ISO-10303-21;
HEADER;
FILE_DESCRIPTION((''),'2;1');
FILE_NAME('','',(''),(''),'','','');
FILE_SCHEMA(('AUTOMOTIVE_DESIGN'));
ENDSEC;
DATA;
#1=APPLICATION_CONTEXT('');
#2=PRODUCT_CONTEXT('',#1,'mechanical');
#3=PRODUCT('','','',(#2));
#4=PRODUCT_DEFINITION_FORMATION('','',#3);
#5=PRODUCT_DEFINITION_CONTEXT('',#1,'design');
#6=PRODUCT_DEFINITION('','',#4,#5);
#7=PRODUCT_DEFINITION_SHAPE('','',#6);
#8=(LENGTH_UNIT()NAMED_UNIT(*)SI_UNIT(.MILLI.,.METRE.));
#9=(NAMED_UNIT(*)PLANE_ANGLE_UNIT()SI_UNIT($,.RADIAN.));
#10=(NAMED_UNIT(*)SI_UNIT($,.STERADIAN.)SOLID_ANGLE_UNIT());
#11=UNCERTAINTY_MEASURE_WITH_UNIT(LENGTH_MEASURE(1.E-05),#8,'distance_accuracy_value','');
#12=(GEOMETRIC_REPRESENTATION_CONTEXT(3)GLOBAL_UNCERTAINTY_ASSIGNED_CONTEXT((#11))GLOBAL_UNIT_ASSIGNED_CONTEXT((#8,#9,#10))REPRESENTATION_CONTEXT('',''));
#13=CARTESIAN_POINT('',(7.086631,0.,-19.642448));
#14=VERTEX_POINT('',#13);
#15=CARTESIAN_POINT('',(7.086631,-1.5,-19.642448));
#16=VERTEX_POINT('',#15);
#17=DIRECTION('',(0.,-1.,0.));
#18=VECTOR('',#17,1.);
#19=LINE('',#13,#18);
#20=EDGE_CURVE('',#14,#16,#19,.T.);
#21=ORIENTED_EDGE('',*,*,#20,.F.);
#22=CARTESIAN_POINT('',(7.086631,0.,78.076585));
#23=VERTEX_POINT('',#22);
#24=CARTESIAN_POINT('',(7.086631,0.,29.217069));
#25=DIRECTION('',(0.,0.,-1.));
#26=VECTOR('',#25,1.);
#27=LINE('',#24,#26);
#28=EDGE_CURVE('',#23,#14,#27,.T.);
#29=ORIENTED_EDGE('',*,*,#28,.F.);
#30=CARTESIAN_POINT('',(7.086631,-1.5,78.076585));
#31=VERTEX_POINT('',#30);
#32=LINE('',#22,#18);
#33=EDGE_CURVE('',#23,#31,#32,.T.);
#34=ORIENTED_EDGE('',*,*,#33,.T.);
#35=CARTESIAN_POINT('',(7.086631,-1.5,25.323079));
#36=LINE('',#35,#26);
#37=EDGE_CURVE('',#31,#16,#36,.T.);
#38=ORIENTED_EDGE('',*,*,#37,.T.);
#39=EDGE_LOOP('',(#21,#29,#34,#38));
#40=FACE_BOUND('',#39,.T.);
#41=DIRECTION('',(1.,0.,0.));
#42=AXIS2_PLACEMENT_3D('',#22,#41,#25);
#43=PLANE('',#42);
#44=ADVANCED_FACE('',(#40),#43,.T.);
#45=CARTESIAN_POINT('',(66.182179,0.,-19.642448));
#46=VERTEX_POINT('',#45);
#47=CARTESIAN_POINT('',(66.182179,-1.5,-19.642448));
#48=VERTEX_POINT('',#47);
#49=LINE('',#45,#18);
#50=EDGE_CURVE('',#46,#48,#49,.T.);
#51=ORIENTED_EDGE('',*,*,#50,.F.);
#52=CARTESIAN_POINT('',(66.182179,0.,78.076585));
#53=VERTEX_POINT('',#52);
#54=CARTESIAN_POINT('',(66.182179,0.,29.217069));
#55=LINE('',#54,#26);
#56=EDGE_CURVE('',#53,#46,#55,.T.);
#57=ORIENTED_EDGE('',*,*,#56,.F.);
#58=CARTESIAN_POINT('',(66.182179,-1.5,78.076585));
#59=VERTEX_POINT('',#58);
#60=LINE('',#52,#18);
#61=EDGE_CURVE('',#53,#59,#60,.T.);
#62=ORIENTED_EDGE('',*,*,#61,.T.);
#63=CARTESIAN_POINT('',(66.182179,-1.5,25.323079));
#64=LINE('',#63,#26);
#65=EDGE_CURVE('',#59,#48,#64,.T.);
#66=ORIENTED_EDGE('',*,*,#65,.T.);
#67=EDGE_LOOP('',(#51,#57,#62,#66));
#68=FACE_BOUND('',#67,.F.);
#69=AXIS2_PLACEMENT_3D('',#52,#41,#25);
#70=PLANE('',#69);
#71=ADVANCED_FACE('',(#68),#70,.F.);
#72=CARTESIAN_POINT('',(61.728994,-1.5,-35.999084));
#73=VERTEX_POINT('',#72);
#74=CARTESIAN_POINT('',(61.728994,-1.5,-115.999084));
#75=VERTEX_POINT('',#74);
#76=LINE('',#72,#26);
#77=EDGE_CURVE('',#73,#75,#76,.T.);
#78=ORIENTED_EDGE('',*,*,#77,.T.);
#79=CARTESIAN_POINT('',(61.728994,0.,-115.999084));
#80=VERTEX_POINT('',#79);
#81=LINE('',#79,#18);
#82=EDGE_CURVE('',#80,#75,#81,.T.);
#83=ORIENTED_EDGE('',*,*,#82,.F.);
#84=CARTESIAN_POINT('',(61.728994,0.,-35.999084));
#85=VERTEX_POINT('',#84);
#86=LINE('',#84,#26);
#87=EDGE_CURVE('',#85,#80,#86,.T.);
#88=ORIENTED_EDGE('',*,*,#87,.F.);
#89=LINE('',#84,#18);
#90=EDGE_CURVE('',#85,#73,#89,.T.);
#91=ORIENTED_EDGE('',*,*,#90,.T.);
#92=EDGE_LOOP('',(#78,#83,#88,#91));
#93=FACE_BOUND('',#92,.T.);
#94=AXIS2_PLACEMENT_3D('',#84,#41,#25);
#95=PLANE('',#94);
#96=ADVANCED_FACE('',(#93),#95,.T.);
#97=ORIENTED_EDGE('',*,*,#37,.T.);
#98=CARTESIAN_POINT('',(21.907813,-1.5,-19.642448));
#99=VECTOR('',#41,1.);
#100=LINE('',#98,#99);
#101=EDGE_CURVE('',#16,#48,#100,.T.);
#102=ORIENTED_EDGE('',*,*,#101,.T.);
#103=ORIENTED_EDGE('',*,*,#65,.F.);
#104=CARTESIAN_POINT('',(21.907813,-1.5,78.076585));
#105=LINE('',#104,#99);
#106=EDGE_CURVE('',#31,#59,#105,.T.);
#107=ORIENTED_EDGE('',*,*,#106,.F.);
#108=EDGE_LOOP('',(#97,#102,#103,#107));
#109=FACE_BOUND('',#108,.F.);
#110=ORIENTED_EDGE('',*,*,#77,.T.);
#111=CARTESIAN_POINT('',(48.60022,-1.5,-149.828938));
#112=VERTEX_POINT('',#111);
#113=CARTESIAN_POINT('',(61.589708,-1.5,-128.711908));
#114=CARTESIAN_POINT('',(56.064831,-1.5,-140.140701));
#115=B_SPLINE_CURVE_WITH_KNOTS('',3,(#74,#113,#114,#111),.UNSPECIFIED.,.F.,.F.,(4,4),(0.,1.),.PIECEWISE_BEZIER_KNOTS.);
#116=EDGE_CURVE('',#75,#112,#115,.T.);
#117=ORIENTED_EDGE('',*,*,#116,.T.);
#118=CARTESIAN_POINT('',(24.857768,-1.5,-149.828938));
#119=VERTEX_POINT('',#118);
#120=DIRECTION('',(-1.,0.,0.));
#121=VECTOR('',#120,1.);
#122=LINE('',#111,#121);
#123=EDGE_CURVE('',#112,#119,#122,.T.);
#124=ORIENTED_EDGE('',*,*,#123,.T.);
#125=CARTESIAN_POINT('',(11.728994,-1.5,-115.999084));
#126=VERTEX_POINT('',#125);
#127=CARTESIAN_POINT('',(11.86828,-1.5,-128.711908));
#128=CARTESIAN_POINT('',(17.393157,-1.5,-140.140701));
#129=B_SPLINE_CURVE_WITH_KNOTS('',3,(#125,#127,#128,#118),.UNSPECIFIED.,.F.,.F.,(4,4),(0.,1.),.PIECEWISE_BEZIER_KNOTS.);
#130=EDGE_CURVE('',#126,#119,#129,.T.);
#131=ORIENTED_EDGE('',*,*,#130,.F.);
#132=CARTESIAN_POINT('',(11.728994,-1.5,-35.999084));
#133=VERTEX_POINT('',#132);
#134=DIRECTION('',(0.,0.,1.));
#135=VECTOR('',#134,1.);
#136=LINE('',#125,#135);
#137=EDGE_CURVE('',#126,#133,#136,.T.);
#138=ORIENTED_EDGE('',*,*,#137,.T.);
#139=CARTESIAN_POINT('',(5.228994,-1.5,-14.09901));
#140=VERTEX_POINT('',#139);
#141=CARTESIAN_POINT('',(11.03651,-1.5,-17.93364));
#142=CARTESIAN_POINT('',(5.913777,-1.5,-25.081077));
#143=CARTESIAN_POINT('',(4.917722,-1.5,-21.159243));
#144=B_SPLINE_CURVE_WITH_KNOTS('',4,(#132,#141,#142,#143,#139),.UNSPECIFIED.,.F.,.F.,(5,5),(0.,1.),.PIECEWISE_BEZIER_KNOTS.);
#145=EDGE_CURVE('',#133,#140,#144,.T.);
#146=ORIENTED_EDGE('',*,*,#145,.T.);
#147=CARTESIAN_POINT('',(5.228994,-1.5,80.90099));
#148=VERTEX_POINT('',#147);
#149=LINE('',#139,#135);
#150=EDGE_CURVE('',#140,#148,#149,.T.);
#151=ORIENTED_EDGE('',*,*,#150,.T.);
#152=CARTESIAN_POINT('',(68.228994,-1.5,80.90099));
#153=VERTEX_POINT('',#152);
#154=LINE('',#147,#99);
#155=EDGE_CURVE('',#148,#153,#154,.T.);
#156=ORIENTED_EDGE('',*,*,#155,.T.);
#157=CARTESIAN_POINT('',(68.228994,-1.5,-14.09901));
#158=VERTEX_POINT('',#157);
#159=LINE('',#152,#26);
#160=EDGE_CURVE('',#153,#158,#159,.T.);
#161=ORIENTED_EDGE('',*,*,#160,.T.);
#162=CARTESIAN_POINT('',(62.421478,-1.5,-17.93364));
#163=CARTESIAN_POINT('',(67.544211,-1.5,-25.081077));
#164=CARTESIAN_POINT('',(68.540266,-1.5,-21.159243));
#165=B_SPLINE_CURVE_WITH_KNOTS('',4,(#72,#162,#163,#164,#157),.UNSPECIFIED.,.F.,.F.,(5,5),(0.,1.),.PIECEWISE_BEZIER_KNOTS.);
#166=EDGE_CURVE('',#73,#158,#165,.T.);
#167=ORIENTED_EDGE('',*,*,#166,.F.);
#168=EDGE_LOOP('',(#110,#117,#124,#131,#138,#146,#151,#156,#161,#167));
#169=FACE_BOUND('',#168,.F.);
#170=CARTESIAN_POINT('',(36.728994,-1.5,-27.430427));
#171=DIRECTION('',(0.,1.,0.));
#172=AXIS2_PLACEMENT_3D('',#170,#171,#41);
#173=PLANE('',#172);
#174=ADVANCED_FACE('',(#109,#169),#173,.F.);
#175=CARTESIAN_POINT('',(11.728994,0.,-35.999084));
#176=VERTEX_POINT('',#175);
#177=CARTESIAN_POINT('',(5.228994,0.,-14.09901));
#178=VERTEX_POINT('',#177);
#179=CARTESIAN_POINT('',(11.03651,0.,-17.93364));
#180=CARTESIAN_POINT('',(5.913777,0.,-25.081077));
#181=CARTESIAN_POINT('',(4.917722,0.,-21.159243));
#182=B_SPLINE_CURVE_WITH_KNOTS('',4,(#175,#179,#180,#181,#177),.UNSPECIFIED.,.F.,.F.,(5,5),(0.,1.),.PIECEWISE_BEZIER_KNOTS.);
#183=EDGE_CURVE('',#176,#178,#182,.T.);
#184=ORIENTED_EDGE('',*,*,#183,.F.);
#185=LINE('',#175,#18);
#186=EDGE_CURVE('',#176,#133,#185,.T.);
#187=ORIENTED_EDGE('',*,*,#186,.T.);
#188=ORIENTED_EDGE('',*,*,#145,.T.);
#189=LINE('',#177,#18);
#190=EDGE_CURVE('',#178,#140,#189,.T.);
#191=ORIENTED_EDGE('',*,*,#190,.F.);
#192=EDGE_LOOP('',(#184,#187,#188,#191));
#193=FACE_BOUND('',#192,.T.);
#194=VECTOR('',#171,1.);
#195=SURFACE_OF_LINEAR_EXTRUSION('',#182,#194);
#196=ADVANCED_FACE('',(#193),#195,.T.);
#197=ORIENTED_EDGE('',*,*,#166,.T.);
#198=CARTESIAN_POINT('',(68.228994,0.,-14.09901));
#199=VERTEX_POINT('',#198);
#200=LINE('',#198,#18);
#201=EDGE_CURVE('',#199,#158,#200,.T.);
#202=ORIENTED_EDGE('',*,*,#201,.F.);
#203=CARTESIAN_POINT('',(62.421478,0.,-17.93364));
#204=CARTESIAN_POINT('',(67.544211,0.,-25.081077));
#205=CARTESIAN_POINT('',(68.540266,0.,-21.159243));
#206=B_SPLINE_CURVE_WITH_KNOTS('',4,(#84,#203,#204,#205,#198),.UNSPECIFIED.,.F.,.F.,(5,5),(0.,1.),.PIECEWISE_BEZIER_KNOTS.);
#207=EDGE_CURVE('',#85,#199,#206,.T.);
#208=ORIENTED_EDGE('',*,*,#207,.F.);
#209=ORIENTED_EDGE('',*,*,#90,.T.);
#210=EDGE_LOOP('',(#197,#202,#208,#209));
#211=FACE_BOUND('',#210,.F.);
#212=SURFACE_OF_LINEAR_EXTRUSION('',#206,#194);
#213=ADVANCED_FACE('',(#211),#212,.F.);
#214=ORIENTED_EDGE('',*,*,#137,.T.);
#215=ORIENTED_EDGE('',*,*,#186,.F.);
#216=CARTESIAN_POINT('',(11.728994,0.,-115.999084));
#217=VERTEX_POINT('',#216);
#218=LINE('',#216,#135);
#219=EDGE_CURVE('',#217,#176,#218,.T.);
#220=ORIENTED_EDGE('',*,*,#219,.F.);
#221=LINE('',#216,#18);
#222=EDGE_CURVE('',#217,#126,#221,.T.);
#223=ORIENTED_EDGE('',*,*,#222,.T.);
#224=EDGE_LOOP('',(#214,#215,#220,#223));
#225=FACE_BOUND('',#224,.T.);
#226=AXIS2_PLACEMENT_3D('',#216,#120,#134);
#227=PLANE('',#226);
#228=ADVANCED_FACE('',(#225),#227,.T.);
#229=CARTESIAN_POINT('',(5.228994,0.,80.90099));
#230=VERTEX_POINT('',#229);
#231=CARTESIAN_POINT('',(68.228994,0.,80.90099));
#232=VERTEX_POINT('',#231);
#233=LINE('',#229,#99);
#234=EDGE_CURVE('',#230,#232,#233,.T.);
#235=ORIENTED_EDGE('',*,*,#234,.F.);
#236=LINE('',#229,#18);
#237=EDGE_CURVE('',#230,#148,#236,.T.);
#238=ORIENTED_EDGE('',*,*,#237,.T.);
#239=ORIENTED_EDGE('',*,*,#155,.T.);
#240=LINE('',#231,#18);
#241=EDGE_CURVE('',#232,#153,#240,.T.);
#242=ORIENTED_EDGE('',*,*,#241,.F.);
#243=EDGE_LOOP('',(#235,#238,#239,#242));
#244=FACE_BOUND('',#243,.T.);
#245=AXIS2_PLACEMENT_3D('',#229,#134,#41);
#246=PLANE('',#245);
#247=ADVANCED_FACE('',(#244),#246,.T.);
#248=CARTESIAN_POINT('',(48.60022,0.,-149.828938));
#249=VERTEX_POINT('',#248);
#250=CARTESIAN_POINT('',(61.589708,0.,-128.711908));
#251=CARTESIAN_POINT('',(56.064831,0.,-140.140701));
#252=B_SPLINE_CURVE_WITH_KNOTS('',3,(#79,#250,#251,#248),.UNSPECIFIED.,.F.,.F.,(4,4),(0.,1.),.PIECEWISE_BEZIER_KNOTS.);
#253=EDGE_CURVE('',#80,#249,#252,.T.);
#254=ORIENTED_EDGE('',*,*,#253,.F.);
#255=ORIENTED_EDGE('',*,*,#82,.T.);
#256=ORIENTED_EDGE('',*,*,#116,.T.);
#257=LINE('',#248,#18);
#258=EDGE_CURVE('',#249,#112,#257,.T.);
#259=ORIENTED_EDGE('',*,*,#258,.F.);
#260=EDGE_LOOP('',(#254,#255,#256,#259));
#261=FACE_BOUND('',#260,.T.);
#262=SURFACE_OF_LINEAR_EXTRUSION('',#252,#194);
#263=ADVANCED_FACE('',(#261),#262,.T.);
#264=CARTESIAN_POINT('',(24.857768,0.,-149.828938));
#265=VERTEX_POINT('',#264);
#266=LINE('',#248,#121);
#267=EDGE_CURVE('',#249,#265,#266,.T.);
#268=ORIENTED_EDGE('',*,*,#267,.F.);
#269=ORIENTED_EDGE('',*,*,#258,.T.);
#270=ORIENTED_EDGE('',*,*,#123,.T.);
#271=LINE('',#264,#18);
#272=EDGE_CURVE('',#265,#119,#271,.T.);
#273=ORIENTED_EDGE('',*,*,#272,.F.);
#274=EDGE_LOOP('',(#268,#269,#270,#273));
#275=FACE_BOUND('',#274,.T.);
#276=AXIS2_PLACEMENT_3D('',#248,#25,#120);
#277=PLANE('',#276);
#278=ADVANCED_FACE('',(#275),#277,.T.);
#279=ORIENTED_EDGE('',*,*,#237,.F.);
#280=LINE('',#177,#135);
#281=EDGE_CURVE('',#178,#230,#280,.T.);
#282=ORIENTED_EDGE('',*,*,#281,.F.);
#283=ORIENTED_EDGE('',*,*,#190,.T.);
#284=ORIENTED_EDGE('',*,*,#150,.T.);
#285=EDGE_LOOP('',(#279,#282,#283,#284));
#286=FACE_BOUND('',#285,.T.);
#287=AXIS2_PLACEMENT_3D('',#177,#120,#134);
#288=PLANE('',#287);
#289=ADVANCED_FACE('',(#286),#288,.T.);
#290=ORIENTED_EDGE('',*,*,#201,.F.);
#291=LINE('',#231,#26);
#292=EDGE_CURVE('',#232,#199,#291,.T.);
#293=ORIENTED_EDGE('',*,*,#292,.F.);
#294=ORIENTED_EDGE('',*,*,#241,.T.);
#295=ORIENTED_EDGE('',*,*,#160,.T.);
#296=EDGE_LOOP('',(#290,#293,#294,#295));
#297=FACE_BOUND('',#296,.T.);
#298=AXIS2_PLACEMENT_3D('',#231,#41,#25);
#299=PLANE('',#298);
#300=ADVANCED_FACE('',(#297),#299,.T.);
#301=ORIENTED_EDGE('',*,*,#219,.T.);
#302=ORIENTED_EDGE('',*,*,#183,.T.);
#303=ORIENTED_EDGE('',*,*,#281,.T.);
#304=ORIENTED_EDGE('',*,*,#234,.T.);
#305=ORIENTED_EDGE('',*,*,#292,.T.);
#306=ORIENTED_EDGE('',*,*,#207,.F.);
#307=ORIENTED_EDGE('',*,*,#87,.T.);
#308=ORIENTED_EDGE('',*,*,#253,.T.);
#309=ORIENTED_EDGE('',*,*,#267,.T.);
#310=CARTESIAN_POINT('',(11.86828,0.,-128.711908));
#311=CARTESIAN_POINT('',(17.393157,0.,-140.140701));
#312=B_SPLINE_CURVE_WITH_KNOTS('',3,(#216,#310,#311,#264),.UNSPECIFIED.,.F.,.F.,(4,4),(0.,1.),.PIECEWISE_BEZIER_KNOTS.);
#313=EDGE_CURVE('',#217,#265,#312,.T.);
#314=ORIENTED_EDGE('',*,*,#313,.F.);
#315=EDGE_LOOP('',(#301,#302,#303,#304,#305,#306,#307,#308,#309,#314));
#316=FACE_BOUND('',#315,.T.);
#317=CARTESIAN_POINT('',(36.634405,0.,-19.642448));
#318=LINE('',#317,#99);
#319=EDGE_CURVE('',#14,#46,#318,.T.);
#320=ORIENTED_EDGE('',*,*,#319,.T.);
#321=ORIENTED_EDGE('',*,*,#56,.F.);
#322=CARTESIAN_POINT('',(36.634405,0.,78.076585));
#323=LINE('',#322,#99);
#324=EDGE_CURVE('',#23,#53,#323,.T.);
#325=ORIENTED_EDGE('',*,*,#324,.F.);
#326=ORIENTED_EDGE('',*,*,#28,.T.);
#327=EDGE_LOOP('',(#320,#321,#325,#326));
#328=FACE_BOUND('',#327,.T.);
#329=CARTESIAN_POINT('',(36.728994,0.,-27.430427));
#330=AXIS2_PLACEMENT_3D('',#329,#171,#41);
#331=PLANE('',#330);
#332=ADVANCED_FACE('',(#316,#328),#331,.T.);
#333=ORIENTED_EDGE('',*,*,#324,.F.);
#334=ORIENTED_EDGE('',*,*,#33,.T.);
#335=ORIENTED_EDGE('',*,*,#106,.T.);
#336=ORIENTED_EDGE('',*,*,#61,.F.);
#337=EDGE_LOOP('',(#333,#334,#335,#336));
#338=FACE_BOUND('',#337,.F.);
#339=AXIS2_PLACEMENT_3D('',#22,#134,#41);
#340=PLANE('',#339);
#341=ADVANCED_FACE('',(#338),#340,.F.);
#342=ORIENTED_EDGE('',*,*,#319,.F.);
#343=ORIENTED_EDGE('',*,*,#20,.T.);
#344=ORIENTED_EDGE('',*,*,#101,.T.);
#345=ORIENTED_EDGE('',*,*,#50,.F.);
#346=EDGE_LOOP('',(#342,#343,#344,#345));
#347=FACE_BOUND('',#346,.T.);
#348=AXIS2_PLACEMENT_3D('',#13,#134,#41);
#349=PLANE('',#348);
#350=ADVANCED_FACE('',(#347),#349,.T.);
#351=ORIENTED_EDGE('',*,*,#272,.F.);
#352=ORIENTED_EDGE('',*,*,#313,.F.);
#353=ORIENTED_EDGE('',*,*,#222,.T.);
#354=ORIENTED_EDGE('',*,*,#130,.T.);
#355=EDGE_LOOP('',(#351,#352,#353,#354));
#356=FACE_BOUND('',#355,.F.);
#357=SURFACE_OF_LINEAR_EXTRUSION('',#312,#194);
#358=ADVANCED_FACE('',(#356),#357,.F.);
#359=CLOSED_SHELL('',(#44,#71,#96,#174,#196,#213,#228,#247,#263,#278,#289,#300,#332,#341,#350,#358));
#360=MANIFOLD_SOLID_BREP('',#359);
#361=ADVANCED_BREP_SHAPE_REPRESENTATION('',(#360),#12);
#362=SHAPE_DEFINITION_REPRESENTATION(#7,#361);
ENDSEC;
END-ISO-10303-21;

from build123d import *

# Parameters (mm, degrees)
BOSS_EXTRUDE1_DEPTH = 1.5
SKETCH17_W          = 59.095547363
SKETCH17_H          = 97.719033267
CUT_EXTRUDE2_DEPTH  = 165.658179571


with BuildPart() as part:
    # Sketch1 → Boss-Extrude1 (new body)
    with BuildSketch(Plane(origin=(0, 0, 0), x_dir=(-1, 0, 0), z_dir=(0, -1, 0))):
        with BuildLine():
            Line((-68.228994051, -80.900990016), (-68.228994051, 14.099009984))
            add(Edge.make_bspline(
                [(-61.728994051, 35.999084059), (-62.421478219, 17.933639863), (-67.544211434, 25.081077147), (-68.540266051, 21.159243181), (-68.228994051, 14.099009984)],
                knots=[0, 0, 0, 0, 0, 1, 1, 1, 1, 1], degree=4))
            Line((-61.728994051, 35.999084059), (-61.728994051, 115.999084059))
            add(Edge.make_bspline(
                [(-61.728994051, 115.999084059), (-61.589708219, 128.711907965), (-56.064830782, 140.140701438), (-48.600220127, 149.828937742)],
                knots=[0, 0, 0, 0, 1, 1, 1, 1], degree=3))
            Line((-48.600220127, 149.828937742), (-24.857767976, 149.828937742))
            add(Edge.make_bspline(
                [(-11.728994051, 115.999084059), (-11.868279883, 128.711907965), (-17.39315732, 140.140701438), (-24.857767976, 149.828937742)],
                knots=[0, 0, 0, 0, 1, 1, 1, 1], degree=3))
            Line((-11.728994051, 115.999084059), (-11.728994051, 35.999084059))
            add(Edge.make_bspline(
                [(-11.728994051, 35.999084059), (-11.036509883, 17.933639863), (-5.913776668, 25.081077147), (-4.917722051, 21.159243181), (-5.228994051, 14.099009984)],
                knots=[0, 0, 0, 0, 0, 1, 1, 1, 1, 1], degree=4))
            Line((-5.228994051, 14.099009984), (-5.228994051, -80.900990016))
            Line((-5.228994051, -80.900990016), (-68.228994051, -80.900990016))
        make_face()
    extrude(amount=BOSS_EXTRUDE1_DEPTH)

    # Sketch17 → Cut-Extrude2 (cut, through all)
    with BuildSketch(Plane(origin=(0, 0, 0), x_dir=(1, 0, 0), z_dir=(0, 1, 0))):
        with Locations((36.634404956, -29.217068725)):
            Rectangle(SKETCH17_W, SKETCH17_H)
    extrude(amount=-CUT_EXTRUDE2_DEPTH, mode=Mode.SUBTRACT)


solid = part.part
